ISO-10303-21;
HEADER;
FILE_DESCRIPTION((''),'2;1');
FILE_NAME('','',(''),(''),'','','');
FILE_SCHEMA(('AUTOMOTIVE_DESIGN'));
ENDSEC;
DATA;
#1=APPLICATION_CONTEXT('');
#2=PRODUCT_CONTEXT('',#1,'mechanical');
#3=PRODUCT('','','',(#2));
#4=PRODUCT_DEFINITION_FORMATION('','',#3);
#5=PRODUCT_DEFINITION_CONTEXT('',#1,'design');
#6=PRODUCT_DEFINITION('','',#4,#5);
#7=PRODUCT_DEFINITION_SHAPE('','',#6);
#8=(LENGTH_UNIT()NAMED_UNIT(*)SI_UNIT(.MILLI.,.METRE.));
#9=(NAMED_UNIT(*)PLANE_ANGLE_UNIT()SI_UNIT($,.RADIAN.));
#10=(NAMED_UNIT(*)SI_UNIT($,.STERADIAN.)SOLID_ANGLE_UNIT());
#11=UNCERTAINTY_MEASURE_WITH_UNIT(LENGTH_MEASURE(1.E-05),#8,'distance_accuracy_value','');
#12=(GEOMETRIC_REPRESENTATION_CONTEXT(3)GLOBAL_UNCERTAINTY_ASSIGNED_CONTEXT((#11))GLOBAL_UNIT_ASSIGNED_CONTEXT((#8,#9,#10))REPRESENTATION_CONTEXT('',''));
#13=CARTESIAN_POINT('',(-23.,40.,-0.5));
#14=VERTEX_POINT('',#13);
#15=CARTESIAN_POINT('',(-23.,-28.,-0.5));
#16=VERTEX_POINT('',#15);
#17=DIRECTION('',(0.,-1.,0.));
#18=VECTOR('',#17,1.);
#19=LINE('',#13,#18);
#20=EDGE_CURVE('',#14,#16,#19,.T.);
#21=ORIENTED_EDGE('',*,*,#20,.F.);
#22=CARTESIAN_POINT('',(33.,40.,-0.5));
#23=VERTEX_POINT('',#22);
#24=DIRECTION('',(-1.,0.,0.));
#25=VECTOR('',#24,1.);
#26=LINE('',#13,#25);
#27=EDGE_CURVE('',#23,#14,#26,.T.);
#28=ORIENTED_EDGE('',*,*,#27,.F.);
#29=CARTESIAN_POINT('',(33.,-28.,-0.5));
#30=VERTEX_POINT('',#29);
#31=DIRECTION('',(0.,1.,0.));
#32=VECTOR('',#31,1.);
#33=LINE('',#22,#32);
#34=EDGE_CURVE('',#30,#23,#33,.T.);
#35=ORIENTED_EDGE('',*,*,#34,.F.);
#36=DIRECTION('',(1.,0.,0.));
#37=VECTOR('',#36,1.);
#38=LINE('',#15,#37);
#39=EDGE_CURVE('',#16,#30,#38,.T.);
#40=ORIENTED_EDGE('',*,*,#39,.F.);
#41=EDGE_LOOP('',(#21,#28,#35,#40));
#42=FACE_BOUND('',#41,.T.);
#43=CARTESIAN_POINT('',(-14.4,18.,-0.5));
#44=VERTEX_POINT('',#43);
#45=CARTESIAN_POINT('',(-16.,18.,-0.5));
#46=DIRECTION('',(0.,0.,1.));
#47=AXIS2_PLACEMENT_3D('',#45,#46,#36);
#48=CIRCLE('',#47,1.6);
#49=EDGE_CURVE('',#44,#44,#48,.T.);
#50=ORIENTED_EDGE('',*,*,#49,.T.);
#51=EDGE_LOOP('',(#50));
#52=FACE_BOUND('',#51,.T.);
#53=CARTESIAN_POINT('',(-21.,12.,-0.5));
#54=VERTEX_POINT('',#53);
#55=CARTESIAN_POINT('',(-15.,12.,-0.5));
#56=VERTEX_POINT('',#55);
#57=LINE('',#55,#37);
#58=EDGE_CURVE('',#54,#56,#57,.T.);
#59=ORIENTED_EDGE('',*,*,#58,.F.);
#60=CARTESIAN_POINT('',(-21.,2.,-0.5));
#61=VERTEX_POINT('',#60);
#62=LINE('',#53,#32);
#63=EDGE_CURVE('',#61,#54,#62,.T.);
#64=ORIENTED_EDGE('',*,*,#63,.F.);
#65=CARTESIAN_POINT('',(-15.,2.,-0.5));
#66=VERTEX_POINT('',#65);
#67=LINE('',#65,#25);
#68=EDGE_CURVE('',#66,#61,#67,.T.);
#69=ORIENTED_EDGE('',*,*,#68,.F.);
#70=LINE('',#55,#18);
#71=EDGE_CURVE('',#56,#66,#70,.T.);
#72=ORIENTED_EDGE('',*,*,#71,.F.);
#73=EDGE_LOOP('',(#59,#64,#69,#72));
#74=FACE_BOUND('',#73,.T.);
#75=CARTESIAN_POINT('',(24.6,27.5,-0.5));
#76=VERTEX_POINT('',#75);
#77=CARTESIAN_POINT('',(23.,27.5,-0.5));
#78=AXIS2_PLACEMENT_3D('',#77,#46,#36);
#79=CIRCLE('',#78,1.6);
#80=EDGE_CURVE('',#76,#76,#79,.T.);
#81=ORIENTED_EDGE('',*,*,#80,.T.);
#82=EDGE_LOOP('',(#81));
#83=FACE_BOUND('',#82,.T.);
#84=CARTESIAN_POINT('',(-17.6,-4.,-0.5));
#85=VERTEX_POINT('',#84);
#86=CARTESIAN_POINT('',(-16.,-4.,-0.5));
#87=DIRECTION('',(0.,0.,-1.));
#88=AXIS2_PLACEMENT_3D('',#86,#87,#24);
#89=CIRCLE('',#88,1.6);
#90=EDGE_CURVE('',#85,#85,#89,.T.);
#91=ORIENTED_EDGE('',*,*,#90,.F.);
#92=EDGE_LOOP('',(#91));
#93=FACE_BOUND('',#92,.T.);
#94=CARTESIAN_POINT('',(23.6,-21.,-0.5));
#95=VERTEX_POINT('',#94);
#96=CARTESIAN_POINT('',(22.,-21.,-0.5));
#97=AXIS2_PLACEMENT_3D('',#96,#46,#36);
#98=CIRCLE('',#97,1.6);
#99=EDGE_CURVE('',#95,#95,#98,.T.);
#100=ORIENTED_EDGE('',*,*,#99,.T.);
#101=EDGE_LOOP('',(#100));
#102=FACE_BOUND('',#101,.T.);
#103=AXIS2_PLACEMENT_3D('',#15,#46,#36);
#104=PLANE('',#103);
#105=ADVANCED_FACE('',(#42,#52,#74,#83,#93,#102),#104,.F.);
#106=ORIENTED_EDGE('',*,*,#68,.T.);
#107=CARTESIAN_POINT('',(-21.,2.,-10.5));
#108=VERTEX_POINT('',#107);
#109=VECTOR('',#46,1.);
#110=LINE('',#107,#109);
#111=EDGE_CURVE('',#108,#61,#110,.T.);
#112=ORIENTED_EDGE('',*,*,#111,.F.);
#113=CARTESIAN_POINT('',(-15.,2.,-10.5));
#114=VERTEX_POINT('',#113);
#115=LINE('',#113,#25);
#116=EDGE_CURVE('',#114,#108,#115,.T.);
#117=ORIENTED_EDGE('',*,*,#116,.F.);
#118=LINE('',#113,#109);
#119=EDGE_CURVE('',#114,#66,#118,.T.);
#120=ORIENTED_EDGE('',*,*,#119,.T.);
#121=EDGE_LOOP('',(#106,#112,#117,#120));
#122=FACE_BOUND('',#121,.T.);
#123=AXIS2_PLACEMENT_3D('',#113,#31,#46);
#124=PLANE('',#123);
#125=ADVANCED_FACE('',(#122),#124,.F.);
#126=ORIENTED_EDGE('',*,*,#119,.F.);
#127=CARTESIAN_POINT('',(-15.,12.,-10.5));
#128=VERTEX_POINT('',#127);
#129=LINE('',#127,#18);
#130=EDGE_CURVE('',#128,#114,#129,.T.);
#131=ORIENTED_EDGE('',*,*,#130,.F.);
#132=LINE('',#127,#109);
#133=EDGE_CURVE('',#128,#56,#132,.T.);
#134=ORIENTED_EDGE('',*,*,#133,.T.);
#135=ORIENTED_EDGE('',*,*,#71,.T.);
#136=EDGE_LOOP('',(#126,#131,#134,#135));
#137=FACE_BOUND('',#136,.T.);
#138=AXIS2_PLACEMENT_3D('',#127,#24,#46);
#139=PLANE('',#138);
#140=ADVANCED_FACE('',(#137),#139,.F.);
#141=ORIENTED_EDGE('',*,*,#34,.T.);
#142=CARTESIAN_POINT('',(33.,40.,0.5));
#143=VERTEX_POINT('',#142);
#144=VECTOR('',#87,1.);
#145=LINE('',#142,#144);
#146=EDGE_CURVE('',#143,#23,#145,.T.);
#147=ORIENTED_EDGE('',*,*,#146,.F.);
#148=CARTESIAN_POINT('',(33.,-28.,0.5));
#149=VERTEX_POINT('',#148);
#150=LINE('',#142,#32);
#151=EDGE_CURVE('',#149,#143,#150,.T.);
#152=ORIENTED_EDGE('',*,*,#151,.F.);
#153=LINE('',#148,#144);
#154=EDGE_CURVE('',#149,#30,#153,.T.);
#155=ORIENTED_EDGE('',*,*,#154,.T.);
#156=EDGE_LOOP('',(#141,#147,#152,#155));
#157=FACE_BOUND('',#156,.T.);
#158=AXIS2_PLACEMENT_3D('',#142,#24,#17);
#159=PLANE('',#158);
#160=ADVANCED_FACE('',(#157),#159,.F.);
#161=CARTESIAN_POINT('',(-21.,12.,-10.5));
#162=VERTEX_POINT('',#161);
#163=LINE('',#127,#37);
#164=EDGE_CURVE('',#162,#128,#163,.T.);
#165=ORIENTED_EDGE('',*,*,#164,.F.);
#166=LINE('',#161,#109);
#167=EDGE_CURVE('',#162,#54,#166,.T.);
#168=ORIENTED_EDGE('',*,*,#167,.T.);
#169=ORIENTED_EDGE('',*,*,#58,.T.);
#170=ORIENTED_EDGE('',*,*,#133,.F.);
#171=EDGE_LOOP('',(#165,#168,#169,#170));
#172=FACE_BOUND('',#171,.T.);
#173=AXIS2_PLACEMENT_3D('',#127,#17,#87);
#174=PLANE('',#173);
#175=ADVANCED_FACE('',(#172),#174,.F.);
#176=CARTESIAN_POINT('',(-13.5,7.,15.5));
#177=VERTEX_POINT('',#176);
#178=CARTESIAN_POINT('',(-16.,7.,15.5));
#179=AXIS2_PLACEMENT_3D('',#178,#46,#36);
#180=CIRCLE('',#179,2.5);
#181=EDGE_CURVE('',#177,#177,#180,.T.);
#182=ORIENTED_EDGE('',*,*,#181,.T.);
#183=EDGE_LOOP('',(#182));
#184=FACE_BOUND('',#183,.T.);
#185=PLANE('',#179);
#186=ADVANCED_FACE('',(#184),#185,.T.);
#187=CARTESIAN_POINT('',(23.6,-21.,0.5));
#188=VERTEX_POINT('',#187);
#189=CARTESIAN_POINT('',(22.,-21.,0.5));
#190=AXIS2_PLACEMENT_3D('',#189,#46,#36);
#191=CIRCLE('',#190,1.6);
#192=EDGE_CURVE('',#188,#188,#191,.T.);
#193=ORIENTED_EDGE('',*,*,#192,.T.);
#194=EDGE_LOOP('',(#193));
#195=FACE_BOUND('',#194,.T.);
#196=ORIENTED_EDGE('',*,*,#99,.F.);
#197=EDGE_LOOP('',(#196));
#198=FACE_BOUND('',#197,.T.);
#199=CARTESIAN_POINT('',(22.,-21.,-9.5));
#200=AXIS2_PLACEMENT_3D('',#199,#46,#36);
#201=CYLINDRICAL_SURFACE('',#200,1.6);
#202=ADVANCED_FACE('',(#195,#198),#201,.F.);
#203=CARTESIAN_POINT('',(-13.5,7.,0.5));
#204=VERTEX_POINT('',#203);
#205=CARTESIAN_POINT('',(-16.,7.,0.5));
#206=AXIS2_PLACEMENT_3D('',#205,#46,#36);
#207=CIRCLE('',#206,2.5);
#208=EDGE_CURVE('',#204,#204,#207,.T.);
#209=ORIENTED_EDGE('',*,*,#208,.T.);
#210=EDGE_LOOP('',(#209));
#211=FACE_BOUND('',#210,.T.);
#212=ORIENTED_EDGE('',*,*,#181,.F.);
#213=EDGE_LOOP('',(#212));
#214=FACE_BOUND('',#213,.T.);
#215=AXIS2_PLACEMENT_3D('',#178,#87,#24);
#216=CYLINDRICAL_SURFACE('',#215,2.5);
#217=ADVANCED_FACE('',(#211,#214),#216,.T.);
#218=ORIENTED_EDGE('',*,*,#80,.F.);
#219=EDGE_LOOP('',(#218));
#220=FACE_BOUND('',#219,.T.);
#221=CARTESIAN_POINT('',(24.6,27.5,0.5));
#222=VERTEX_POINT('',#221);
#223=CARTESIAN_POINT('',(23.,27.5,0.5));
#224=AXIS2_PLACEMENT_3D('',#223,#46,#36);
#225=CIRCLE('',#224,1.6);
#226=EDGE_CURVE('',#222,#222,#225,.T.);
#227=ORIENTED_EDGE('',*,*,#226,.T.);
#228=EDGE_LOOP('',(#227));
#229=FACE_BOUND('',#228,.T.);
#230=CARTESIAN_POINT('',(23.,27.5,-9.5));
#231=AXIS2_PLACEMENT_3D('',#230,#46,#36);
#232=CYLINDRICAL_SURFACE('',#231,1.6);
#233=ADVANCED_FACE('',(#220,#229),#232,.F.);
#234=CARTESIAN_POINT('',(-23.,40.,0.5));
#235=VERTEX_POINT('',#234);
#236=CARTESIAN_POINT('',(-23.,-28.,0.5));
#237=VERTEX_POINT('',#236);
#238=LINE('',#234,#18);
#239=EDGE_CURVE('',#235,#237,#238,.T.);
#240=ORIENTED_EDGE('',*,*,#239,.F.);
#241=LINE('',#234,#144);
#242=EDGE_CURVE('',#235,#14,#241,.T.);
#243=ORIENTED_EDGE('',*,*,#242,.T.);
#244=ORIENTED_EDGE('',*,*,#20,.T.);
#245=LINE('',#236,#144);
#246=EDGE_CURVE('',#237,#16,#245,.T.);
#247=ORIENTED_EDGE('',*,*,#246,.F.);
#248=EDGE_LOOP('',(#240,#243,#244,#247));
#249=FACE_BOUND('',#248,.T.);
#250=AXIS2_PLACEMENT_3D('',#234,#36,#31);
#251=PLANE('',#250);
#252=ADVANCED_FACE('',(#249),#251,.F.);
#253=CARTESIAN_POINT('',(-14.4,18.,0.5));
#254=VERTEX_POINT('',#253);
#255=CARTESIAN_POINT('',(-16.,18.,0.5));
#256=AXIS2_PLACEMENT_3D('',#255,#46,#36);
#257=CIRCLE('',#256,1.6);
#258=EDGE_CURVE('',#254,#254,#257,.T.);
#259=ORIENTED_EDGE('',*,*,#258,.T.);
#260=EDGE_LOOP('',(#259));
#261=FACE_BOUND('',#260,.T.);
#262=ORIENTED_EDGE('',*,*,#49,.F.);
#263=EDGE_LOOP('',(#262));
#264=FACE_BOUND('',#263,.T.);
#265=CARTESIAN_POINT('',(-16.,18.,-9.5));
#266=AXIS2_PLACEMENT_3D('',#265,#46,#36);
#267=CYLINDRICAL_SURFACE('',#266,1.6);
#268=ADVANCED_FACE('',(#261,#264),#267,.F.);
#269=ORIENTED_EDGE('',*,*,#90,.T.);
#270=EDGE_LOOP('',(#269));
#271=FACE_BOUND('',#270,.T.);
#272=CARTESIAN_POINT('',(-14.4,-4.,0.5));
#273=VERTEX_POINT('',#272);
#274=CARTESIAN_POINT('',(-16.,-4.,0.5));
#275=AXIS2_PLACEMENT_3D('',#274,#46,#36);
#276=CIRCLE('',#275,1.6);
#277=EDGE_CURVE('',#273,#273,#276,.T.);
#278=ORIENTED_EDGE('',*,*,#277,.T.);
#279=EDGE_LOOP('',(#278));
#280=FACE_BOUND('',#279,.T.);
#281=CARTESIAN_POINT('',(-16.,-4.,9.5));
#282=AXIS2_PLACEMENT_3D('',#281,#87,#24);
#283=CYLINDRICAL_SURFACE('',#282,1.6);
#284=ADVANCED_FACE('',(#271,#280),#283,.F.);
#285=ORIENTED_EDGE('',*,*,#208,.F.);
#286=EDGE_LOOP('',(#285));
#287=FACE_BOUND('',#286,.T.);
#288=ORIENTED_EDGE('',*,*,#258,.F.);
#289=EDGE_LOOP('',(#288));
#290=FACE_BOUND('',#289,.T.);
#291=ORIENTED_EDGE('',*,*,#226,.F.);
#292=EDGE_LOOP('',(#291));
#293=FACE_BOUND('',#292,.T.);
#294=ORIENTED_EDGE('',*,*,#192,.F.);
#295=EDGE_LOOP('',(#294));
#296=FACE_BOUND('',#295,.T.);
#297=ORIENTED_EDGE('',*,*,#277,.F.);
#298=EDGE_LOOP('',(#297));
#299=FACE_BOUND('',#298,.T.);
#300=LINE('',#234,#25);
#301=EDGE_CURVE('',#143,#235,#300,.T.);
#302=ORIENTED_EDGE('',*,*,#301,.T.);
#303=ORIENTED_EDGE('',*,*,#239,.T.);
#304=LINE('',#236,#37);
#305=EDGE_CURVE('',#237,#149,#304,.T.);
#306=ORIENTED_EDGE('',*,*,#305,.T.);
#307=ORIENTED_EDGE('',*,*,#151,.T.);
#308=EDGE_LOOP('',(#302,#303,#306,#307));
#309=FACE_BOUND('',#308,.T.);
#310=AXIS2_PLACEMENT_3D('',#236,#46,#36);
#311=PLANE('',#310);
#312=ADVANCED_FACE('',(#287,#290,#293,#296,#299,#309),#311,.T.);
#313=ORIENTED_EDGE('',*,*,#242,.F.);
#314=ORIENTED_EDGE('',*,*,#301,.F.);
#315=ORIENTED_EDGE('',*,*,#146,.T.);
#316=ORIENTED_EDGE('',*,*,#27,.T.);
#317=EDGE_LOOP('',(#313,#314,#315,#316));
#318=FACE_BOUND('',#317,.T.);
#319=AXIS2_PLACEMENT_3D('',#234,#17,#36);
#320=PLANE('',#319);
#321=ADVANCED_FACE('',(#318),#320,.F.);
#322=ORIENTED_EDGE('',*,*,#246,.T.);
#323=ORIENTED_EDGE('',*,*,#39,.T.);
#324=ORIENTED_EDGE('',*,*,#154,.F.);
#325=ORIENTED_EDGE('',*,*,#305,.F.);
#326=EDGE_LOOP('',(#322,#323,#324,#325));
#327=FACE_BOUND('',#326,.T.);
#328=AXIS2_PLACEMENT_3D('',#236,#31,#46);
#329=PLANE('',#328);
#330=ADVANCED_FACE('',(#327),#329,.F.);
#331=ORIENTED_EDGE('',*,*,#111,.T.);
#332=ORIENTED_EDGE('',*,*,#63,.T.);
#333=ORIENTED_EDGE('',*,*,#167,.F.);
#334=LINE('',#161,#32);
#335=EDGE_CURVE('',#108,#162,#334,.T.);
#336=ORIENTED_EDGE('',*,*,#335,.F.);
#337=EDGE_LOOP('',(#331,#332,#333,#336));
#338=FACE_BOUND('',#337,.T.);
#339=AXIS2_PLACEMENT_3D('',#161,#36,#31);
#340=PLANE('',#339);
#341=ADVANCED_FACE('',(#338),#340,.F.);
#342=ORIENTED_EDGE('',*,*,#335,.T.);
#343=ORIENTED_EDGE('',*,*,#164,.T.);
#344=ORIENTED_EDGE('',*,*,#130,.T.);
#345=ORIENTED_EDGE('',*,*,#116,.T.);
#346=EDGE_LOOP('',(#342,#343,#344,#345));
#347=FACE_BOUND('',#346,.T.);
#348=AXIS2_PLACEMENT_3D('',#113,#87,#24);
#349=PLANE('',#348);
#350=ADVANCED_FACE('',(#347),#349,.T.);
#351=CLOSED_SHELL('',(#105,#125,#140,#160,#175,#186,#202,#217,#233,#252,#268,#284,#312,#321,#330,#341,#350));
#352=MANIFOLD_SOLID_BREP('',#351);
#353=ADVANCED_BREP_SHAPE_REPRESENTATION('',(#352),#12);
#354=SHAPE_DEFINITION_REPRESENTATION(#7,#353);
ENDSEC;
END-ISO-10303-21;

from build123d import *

# Parameters (mm, degrees)
SKETCH_1_W          = 56
SKETCH_1_H          = 68
EXTRUDE_1_DEPTH     = 0.5
SKETCH_2_R          = 2.5
EXTRUDE_2_DEPTH     = 15
SKETCH_3_W          = 6
SKETCH_3_H          = 10
EXTRUDE_3_DEPTH     = 10
SKETCH_4_R          = 1.6
CUT_EXTRUDE_1_DEPTH = 10
SKETCH_5_R          = 1.6
CUT_EXTRUDE_2_DEPTH = 10
SKETCH_6_R          = 1.6
CUT_EXTRUDE_3_DEPTH = 10
SKETCH_7_R          = 1.6
CUT_EXTRUDE_4_DEPTH = 10


with BuildPart() as part:
    # ｽｹｯﾁ1 → ﾎﾞｽ - 押し出し1 (new, symmetric)
    with BuildSketch(Plane.XY):
        with Locations((5, 6)):
            Rectangle(SKETCH_1_W, SKETCH_1_H)
    extrude(amount=EXTRUDE_1_DEPTH, both=True)

    # ｽｹｯﾁ2 → ﾎﾞｽ - 押し出し2 (add)
    with BuildSketch(Plane.XY.offset(0.5)):
        with Locations((-16, 7)):
            Circle(SKETCH_2_R)
    extrude(amount=EXTRUDE_2_DEPTH)

    # ｽｹｯﾁ3 → ﾎﾞｽ - 押し出し3 (add)
    with BuildSketch(Plane(origin=(0, 0, -0.5), x_dir=(-1, 0, 0), z_dir=(0, 0, -1))):
        with Locations((18, 7)):
            Rectangle(SKETCH_3_W, SKETCH_3_H)
    extrude(amount=EXTRUDE_3_DEPTH)

    # ｽｹｯﾁ4 → ｶｯﾄ - 押し出し1 (cut)
    with BuildSketch(Plane(origin=(0, 0, -0.5), x_dir=(-1, 0, 0), z_dir=(0, 0, -1))):
        with Locations((16, -4)):
            Circle(SKETCH_4_R)
    extrude(amount=-CUT_EXTRUDE_1_DEPTH, mode=Mode.SUBTRACT)

    # ｽｹｯﾁ5 → ｶｯﾄ - 押し出し2 (cut)
    with BuildSketch(Plane.XY.offset(0.5)):
        with Locations((-16, 18)):
            Circle(SKETCH_5_R)
    extrude(amount=-CUT_EXTRUDE_2_DEPTH, mode=Mode.SUBTRACT)

    # ｽｹｯﾁ6 → ｶｯﾄ - 押し出し3 (cut)
    with BuildSketch(Plane.XY.offset(0.5)):
        with Locations((23, 27.5)):
            Circle(SKETCH_6_R)
    extrude(amount=-CUT_EXTRUDE_3_DEPTH, mode=Mode.SUBTRACT)

    # ｽｹｯﾁ7 → ｶｯﾄ - 押し出し4 (cut)
    with BuildSketch(Plane.XY.offset(0.5)):
        with Locations((22, -21)):
            Circle(SKETCH_7_R)
    extrude(amount=-CUT_EXTRUDE_4_DEPTH, mode=Mode.SUBTRACT)


solid = part.part
